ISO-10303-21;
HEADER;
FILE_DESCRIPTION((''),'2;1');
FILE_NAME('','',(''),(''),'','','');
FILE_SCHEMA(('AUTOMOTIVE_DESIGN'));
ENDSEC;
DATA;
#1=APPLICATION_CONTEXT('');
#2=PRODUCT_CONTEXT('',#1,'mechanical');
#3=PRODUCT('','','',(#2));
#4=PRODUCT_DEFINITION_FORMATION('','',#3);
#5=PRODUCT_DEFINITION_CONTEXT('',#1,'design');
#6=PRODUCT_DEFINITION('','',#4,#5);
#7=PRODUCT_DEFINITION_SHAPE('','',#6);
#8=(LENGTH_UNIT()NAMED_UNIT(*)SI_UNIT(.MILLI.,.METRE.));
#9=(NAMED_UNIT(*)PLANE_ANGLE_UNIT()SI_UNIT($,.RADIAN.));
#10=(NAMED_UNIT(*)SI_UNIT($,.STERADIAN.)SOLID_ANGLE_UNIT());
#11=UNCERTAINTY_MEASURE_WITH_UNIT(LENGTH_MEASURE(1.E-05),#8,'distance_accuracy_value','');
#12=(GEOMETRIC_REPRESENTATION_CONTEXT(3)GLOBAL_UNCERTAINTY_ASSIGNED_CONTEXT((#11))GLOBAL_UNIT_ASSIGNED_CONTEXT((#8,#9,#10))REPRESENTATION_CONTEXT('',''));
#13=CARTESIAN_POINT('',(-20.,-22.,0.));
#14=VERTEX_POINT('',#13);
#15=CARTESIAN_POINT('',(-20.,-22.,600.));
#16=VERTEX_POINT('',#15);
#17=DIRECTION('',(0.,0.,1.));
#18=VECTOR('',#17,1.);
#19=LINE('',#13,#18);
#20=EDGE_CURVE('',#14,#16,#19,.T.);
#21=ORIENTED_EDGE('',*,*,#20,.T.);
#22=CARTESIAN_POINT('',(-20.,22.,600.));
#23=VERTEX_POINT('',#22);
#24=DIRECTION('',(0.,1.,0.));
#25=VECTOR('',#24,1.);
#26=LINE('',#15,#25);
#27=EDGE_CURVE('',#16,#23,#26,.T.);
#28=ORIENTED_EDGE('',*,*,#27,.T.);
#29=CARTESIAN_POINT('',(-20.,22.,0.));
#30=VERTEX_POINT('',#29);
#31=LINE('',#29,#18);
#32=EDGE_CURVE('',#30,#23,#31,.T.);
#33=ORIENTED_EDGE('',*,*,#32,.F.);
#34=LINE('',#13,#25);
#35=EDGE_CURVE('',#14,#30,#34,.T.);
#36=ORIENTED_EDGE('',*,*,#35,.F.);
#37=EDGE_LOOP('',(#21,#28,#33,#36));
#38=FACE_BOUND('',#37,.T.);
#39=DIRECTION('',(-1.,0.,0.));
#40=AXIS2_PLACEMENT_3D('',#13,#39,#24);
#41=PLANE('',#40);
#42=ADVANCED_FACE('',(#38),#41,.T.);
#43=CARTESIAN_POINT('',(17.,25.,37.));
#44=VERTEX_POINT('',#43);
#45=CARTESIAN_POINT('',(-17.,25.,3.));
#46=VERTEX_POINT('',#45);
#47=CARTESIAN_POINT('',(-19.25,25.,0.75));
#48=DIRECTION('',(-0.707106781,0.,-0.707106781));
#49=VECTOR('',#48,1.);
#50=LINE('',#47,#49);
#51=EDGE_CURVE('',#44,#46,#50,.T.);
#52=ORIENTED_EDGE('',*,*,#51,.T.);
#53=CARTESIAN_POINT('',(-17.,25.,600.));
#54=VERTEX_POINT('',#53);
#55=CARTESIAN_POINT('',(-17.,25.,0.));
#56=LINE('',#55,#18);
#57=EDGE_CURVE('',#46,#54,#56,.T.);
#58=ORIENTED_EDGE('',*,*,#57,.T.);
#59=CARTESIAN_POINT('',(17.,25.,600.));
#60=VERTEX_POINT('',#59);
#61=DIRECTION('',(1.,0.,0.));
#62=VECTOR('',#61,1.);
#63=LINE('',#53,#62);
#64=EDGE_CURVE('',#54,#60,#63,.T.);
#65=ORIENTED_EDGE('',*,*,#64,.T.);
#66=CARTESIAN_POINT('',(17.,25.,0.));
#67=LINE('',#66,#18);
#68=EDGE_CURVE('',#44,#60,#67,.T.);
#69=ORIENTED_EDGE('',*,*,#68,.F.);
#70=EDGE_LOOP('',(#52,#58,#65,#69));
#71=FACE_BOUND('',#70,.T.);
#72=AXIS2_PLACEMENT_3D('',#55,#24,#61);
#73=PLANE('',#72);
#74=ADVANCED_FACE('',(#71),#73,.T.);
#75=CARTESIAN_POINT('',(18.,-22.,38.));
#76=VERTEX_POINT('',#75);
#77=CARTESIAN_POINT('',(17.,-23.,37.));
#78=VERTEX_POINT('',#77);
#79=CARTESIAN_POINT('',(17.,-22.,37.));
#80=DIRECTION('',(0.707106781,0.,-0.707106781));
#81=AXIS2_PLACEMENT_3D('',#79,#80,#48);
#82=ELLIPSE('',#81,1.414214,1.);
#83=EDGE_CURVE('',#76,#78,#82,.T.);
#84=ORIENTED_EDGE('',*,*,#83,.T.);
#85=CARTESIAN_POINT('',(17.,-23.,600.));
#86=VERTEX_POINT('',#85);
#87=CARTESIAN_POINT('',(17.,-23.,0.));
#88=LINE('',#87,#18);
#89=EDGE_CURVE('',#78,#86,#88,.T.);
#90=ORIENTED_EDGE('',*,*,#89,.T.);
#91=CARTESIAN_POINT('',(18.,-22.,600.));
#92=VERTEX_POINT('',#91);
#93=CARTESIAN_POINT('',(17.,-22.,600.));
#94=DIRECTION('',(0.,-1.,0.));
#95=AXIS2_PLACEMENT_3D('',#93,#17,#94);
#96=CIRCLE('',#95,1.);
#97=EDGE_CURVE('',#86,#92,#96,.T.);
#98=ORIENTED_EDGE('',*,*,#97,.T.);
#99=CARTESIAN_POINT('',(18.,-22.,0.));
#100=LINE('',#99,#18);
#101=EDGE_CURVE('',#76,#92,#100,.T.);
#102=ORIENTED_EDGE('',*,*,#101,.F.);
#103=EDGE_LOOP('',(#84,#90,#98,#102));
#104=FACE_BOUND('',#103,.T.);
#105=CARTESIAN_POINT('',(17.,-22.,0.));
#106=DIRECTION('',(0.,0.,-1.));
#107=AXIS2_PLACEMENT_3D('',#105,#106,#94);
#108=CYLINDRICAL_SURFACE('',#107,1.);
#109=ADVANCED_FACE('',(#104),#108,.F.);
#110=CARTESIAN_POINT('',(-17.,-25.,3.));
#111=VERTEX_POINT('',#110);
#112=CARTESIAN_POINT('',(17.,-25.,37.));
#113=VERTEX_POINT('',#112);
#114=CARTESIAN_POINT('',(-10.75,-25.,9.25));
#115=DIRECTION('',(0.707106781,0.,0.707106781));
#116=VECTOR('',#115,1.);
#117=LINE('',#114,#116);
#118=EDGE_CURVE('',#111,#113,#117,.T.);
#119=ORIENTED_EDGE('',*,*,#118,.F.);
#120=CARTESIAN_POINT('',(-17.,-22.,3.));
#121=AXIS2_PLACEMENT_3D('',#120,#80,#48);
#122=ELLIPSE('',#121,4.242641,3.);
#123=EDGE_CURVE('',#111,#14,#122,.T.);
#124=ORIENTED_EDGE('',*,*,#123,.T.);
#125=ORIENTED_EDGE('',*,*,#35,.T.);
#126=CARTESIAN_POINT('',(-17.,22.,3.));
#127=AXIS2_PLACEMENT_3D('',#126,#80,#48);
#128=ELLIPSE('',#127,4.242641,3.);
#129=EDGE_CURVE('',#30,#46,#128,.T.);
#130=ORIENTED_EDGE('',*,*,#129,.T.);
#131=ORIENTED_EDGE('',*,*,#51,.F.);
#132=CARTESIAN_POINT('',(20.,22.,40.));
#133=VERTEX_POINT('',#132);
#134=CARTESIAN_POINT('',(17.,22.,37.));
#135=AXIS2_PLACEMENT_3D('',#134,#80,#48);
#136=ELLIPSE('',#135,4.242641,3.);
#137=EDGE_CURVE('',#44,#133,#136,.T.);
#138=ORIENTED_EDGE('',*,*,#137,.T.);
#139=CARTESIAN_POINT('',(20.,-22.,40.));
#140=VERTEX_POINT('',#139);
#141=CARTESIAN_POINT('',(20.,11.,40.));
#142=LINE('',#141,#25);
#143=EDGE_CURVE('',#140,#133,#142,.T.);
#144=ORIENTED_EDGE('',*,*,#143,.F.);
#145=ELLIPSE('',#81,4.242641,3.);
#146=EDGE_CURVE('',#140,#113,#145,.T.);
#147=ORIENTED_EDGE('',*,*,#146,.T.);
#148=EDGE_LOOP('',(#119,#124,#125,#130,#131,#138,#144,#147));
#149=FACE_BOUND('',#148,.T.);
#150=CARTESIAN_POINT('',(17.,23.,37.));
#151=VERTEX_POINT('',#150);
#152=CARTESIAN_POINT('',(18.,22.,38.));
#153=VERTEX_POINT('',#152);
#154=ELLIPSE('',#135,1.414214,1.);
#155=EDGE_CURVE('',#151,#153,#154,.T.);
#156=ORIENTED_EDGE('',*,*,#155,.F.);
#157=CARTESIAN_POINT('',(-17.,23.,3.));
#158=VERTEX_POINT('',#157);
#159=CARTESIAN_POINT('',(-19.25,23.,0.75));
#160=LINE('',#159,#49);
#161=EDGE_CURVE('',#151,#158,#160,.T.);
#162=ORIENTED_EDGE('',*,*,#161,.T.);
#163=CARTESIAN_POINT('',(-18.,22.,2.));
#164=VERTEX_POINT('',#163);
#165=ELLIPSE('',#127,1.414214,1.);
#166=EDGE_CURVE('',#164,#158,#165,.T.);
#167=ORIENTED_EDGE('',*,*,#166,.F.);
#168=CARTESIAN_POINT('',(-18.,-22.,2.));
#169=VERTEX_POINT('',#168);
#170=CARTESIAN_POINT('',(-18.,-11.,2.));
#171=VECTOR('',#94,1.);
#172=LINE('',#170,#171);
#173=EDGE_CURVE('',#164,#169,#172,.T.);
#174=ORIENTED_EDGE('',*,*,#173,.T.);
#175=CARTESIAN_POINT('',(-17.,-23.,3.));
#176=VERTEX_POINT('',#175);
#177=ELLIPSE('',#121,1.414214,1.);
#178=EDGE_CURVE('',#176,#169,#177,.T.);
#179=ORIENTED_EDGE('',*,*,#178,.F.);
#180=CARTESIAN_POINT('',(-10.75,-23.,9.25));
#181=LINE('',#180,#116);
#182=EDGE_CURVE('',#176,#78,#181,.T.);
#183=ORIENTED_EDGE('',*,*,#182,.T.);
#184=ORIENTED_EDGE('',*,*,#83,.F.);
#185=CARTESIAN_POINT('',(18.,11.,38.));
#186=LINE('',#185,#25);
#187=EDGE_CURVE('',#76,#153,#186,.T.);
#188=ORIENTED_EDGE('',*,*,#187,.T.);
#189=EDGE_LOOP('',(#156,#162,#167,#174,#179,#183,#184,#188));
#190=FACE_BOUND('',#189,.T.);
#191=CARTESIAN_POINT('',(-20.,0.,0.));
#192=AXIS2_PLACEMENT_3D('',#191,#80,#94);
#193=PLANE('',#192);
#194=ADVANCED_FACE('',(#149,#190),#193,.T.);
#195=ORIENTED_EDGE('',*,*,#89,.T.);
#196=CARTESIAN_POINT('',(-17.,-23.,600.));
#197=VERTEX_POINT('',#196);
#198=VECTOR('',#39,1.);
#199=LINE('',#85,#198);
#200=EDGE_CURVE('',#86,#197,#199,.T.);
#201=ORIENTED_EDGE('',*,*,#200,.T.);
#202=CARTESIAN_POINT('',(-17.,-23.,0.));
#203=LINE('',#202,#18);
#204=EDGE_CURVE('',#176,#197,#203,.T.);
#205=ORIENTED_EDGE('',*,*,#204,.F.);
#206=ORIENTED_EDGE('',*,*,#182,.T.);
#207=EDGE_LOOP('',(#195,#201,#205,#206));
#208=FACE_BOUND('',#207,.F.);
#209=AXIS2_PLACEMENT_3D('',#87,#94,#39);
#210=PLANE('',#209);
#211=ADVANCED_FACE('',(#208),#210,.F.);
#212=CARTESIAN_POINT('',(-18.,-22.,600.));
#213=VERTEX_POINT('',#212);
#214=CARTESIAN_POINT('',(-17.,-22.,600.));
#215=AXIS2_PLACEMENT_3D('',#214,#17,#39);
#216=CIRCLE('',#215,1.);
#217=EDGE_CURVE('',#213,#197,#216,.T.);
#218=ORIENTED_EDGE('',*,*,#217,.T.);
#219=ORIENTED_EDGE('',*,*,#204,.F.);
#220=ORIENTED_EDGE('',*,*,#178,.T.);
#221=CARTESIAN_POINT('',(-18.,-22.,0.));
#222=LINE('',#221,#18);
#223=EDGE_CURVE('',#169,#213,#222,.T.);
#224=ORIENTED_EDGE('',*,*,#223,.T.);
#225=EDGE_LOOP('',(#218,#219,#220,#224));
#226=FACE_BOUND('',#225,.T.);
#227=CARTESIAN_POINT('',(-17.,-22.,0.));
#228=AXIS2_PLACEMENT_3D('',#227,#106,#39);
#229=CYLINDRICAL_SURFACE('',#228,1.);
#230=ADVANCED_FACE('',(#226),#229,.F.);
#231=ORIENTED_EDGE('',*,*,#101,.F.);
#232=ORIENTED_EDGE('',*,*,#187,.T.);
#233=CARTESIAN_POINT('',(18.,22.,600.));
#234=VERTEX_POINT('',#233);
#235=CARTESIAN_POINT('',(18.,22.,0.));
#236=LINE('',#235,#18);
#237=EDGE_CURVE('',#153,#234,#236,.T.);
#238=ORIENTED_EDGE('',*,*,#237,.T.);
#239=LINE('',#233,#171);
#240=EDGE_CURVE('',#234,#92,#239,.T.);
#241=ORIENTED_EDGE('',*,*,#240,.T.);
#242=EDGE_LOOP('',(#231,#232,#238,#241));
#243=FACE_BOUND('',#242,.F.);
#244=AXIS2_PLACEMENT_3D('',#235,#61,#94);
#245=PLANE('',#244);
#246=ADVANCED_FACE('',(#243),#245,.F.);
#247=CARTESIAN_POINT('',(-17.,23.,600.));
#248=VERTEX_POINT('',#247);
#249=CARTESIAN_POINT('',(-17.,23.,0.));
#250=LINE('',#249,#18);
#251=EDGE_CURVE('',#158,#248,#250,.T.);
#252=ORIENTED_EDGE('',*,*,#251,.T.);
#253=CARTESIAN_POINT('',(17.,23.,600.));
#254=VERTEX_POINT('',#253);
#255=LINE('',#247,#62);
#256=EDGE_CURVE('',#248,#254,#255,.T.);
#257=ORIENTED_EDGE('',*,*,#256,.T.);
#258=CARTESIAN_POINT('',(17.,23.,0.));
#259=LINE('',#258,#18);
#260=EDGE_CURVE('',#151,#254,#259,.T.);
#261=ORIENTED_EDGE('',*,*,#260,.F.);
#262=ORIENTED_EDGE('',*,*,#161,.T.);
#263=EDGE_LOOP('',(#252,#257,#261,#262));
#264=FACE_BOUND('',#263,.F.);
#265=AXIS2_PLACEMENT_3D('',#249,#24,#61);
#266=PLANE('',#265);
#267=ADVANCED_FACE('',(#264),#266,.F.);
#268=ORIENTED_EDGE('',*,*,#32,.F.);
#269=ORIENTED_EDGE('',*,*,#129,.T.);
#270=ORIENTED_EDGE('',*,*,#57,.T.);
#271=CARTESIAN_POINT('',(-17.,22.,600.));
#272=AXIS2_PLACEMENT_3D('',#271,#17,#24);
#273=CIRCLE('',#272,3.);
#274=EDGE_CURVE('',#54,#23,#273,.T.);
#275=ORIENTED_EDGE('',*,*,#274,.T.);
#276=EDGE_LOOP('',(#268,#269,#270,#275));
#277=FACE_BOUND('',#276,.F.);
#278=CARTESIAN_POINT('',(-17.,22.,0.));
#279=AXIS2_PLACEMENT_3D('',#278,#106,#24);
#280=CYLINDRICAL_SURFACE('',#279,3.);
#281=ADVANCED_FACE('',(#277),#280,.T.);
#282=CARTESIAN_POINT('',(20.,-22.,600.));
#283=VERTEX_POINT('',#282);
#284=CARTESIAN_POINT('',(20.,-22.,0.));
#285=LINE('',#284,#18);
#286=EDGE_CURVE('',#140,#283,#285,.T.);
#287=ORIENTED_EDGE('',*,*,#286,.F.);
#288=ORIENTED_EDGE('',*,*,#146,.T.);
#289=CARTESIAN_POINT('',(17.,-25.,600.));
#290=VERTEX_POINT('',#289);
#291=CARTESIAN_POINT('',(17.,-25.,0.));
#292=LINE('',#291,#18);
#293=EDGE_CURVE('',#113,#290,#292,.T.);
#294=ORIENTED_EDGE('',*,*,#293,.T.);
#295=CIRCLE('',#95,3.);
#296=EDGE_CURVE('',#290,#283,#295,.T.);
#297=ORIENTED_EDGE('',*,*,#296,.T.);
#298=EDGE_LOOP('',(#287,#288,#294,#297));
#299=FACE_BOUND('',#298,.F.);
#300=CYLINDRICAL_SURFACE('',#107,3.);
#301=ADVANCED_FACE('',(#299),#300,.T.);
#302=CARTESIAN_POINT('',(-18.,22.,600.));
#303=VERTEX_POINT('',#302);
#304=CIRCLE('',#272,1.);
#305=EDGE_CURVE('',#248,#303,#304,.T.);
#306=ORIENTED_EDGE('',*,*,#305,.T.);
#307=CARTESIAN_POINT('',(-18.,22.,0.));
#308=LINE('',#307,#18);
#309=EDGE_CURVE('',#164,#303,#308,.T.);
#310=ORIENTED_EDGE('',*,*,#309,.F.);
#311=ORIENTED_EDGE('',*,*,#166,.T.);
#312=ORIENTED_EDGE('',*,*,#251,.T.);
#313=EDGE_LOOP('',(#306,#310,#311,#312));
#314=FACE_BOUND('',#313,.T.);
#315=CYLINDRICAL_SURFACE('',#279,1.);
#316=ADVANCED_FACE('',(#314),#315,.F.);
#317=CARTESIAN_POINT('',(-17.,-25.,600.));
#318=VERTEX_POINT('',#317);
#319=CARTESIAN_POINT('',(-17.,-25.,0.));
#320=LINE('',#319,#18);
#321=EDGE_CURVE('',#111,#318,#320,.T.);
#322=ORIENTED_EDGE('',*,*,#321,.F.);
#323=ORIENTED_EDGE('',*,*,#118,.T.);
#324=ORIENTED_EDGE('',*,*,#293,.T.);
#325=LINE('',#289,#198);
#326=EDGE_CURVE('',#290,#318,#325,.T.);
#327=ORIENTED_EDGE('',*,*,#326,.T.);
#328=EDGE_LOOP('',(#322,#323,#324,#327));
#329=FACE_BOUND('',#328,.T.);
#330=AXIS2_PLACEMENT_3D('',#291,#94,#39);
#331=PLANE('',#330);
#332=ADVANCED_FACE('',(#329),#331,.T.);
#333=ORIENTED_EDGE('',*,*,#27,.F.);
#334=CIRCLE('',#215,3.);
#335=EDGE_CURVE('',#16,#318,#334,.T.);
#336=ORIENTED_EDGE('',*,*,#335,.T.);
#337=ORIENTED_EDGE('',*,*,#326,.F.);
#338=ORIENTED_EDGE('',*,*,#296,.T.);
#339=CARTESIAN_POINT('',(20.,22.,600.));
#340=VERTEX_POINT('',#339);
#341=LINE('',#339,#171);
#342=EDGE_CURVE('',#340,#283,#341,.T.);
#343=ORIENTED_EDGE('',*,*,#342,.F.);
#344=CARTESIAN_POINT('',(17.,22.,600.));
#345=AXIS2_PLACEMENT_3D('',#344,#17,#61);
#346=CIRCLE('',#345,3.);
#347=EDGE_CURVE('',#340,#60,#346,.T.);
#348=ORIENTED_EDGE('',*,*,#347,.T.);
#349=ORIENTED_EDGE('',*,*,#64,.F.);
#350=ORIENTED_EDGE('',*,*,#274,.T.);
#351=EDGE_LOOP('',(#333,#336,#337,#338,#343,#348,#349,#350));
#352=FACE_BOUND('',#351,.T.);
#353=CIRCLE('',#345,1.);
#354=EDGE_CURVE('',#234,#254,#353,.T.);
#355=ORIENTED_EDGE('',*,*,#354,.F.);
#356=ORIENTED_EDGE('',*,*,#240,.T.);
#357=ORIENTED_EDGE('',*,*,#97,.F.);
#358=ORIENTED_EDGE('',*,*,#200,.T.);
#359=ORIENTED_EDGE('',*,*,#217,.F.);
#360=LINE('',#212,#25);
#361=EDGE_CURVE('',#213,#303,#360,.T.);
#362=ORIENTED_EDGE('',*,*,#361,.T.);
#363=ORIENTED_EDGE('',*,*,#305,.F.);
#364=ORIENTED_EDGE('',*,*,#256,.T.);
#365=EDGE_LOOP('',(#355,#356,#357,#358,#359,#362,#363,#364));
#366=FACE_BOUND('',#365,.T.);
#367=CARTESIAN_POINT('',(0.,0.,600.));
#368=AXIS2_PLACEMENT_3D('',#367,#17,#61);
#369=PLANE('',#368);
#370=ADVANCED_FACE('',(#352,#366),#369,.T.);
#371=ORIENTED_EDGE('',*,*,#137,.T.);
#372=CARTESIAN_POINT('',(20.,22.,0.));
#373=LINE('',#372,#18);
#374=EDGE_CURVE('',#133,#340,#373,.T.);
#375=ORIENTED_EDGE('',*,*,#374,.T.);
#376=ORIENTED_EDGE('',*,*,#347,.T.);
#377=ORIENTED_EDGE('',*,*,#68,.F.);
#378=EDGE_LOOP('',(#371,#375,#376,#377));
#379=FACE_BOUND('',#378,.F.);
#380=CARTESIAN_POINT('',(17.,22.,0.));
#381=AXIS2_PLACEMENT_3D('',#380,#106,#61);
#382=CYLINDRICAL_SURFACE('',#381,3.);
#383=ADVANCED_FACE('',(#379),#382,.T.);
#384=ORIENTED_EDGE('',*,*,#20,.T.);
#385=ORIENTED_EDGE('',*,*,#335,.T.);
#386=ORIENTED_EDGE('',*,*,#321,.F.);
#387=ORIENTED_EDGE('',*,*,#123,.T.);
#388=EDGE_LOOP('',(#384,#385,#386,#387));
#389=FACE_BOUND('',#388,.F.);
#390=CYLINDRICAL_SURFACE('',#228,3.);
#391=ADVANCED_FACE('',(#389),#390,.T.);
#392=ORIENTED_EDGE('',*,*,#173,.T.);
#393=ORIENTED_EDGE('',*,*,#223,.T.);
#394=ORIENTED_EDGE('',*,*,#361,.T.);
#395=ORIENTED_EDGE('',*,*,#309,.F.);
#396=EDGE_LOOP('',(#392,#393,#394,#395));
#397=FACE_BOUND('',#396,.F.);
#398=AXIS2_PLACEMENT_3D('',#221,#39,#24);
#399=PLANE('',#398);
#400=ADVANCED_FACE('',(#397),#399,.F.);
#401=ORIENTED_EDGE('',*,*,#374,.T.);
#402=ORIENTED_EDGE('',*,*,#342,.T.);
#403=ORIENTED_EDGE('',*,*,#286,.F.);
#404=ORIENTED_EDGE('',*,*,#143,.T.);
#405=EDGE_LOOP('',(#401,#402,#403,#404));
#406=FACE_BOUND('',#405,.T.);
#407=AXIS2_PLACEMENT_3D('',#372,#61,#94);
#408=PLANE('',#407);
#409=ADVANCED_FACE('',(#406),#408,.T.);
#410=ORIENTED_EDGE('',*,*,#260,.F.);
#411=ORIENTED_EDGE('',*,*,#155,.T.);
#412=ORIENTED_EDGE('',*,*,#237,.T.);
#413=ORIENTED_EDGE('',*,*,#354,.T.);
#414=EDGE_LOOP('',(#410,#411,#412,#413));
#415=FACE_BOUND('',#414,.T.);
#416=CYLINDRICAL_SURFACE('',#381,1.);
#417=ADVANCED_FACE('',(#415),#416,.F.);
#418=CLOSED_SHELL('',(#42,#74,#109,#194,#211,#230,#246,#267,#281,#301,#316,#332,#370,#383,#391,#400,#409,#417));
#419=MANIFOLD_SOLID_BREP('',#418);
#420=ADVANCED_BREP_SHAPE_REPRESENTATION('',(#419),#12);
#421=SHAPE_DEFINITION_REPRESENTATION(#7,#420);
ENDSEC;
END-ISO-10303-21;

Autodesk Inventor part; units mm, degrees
ref_plane "Start plane" through (0, 0, 0) normal (0, 0, 1) x (1, 0, 0)
ref_plane "End plane" through (0, 0, 600) normal (0, 0, 1) x (1, 0, 0)
sketch "Sketch" plane through (0, 0, 0) normal (0, 0, 1) x (1, 0, 0)
  line L0 (-20, -22) -> (-20, 22)
  line L1 (-17, 25) -> (17, 25)
  line L2 (20, 22) -> (20, -22)
  line L3 (17, -25) -> (-17, -25)
  arc A0 (-20, -22) -> (-17, -25) centre (-17, -22) ccw
  arc A1 (-17, 25) -> (-20, 22) centre (-17, 22) ccw
  arc A2 (20, 22) -> (17, 25) centre (17, 22) ccw
  arc A3 (17, -25) -> (20, -22) centre (17, -22) ccw
  arc A4 (-17, 23) -> (-18, 22) centre (-17, 22) ccw
  line L4 (-17, 23) -> (17, 23)
  arc A5 (18, 22) -> (17, 23) centre (17, 22) ccw
  line L5 (18, 22) -> (18, -22)
  arc A6 (17, -23) -> (18, -22) centre (17, -22) ccw
  line L6 (17, -23) -> (-17, -23)
  arc A7 (-18, -22) -> (-17, -23) centre (-17, -22) ccw
  line L7 (-18, -22) -> (-18, 22)
  line L8 (0, 35.8698) -> (0, -35.8698) construction
  line L9 (-28.8698, 0) -> (28.8698, 0) construction
  dimension "d7" = 3
  dimension "d10" = 50
  dimension "d11" = 40
  dimension "d12" = 2
  dimension "d15" = 25
  dimension "d16" = 20
extrude "Body" add sketch "Sketch" along normal up to surface (600 mm away) from surface at 0
sketch "Sketch3" plane through (0, 0, 0) normal (0, 0, 1) x (1, 0, 0)
  line L0 (0, 0) -> (10, 0)
ref_plane "Work Plane3" through (0, 0, 0) normal (0, -1, 0) x (1, 0, 0)
sketch "Sketch4" plane through (0, 0, 0) normal (0, -1, 0) x (1, 0, 0)
  line L0 (-2, 0) -> (12, 0)
  line L1 (-2, 600) -> (12, 600)
  dimension "d18" = 600
ref_plane "Work Plane4" through (-20, 0, 0) normal (0.7071, 0, -0.7071) x (-0.7071, 0, -0.7071)
split "Split1" plane through (-20, 0, 0) removes the side toward (0.7071, 0, -0.7071)
equation "\"d7\" = G_IR"
equation "\"d10\" = G_H"
equation "\"d11\" = G_W"
equation "\"d12\" = G_T"
equation "\"d15\" = 0.5 * d10"
equation "\"d16\" = 0.5 * d11"
equation "\"d3\" = G_L"
equation "\"G_W\" = 40"
equation "\"G_H\" = 50"
equation "\"G_T\" = 2"
equation "\"G_IR\" = 3"
equation "\"G_L\" = d18"
equation "\"G_OFFSET_START\" = 0"
equation "\"G_OFFSET_END\" = 0"
equation "\"d14\" = G_OFFSET_END + B_L"
equation "\"B_L\" = 600"
properties part number "UNI EN 10305-5 - 50 x 40 x 2  - 600" material "Steel, Mild"
